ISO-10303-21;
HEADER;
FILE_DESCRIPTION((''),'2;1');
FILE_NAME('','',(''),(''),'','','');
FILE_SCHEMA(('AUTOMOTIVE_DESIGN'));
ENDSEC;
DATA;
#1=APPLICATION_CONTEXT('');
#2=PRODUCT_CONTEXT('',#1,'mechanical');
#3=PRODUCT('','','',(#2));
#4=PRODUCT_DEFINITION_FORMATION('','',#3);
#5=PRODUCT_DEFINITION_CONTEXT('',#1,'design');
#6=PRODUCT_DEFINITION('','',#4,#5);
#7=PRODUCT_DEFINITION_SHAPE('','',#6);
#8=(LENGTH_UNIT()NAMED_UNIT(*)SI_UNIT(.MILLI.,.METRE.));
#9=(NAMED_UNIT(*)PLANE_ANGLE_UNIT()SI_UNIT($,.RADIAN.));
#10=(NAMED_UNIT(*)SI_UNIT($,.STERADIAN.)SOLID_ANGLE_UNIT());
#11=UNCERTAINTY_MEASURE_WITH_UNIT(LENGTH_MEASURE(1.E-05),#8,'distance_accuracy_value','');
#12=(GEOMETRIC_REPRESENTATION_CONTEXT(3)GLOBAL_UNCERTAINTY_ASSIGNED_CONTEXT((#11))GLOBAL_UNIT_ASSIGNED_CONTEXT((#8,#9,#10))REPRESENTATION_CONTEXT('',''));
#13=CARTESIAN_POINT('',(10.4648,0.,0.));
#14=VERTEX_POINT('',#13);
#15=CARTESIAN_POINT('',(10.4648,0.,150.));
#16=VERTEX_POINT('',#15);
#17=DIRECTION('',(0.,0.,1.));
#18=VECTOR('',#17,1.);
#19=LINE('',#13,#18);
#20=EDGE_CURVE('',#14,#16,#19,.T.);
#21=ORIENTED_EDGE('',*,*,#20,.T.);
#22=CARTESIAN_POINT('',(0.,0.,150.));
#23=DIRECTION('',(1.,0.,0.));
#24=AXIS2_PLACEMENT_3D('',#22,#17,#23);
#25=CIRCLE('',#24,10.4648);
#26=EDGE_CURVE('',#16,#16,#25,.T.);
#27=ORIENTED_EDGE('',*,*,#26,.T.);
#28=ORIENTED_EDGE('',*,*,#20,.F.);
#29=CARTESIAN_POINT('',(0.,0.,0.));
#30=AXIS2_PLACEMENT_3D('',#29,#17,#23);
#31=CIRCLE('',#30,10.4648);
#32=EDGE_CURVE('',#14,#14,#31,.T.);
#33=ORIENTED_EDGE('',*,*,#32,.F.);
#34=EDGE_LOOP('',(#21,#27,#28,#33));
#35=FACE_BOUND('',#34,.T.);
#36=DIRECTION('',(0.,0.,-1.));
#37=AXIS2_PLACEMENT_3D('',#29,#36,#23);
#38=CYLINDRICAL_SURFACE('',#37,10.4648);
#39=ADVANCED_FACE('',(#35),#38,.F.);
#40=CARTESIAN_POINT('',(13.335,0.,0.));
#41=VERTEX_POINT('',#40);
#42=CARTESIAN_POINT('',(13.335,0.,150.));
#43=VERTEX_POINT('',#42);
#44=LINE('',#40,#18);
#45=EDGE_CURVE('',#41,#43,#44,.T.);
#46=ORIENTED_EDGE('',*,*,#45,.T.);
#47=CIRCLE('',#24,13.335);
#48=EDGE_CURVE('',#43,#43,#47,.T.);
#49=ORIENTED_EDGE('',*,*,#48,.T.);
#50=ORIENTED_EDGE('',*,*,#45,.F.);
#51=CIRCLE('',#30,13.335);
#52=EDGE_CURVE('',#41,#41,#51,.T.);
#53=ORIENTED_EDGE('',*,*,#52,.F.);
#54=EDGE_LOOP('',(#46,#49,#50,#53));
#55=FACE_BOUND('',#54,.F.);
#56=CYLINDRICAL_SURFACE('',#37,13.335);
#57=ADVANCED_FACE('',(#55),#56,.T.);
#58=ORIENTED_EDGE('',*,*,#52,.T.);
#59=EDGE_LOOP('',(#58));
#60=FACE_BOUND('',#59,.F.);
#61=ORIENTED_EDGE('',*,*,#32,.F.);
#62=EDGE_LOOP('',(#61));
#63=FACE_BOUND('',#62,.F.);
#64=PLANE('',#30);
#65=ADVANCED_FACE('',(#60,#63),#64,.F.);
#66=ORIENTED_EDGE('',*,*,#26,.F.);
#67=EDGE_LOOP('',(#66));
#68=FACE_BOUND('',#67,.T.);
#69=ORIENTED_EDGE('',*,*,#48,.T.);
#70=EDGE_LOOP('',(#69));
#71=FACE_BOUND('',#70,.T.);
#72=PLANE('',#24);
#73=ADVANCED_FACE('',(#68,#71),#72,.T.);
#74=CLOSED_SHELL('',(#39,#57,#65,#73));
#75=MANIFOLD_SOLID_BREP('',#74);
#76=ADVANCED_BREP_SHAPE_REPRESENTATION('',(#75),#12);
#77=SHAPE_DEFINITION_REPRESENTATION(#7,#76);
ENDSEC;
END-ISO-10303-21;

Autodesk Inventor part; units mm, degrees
ref_plane "YZ Plane" through (0, 0, 0) normal (1, 0, 0) x (0, 1, 0)
ref_plane "Start Plane" through (0, 0, 0) normal (0, 0, 1) x (1, 0, 0)
ref_plane "End Plane" through (0, 0, 150) normal (0, 0, 1) x (1, 0, 0)
sketch "Sketch" plane through (0, 0, 0) normal (0, 0, 1) x (1, 0, 0)
  circle A0 centre (0, 0) radius 10.4648
  circle A1 centre (0, 0) radius 13.335
  dimension "d0" = 26.67
  dimension "d1" = 2.8702
extrude "Body" add sketch "Sketch" along normal up to surface (150 mm away) from surface at 0
sketch "Sketch3" plane through (0, 0, 0) normal (0, 0, 1) x (1, 0, 0)
  line L0 (0, 0) -> (10, 0)
ref_plane "Work Plane3" through (0, 0, 0) normal (0, -1, 0) x (1, 0, 0)
sketch "Sketch4" plane through (0, 0, 0) normal (0, -1, 0) x (1, 0, 0)
  line L0 (-2, 0) -> (12, 0) projected
  line L1 (-2, 150) -> (12, 150) projected
  dimension "d7" = 150
equation "\"d0\" = G_H"
equation "\"d1\" = G_T"
equation "\"d2\" = G_L"
equation "\"G_H\" = 26.67"
equation "\"G_T\" = 2.8702"
equation "\"G_L\" = d7"
equation "\"G_OFFSET_START\" = 0"
equation "\"G_OFFSET_END\" = 0"
equation "\"d5\" = G_OFFSET_END + B_L"
equation "\"B_L\" = 150"
properties part number "ANSI - 3/4 x 0.113 - 5.906" material "Steel, Mild"
